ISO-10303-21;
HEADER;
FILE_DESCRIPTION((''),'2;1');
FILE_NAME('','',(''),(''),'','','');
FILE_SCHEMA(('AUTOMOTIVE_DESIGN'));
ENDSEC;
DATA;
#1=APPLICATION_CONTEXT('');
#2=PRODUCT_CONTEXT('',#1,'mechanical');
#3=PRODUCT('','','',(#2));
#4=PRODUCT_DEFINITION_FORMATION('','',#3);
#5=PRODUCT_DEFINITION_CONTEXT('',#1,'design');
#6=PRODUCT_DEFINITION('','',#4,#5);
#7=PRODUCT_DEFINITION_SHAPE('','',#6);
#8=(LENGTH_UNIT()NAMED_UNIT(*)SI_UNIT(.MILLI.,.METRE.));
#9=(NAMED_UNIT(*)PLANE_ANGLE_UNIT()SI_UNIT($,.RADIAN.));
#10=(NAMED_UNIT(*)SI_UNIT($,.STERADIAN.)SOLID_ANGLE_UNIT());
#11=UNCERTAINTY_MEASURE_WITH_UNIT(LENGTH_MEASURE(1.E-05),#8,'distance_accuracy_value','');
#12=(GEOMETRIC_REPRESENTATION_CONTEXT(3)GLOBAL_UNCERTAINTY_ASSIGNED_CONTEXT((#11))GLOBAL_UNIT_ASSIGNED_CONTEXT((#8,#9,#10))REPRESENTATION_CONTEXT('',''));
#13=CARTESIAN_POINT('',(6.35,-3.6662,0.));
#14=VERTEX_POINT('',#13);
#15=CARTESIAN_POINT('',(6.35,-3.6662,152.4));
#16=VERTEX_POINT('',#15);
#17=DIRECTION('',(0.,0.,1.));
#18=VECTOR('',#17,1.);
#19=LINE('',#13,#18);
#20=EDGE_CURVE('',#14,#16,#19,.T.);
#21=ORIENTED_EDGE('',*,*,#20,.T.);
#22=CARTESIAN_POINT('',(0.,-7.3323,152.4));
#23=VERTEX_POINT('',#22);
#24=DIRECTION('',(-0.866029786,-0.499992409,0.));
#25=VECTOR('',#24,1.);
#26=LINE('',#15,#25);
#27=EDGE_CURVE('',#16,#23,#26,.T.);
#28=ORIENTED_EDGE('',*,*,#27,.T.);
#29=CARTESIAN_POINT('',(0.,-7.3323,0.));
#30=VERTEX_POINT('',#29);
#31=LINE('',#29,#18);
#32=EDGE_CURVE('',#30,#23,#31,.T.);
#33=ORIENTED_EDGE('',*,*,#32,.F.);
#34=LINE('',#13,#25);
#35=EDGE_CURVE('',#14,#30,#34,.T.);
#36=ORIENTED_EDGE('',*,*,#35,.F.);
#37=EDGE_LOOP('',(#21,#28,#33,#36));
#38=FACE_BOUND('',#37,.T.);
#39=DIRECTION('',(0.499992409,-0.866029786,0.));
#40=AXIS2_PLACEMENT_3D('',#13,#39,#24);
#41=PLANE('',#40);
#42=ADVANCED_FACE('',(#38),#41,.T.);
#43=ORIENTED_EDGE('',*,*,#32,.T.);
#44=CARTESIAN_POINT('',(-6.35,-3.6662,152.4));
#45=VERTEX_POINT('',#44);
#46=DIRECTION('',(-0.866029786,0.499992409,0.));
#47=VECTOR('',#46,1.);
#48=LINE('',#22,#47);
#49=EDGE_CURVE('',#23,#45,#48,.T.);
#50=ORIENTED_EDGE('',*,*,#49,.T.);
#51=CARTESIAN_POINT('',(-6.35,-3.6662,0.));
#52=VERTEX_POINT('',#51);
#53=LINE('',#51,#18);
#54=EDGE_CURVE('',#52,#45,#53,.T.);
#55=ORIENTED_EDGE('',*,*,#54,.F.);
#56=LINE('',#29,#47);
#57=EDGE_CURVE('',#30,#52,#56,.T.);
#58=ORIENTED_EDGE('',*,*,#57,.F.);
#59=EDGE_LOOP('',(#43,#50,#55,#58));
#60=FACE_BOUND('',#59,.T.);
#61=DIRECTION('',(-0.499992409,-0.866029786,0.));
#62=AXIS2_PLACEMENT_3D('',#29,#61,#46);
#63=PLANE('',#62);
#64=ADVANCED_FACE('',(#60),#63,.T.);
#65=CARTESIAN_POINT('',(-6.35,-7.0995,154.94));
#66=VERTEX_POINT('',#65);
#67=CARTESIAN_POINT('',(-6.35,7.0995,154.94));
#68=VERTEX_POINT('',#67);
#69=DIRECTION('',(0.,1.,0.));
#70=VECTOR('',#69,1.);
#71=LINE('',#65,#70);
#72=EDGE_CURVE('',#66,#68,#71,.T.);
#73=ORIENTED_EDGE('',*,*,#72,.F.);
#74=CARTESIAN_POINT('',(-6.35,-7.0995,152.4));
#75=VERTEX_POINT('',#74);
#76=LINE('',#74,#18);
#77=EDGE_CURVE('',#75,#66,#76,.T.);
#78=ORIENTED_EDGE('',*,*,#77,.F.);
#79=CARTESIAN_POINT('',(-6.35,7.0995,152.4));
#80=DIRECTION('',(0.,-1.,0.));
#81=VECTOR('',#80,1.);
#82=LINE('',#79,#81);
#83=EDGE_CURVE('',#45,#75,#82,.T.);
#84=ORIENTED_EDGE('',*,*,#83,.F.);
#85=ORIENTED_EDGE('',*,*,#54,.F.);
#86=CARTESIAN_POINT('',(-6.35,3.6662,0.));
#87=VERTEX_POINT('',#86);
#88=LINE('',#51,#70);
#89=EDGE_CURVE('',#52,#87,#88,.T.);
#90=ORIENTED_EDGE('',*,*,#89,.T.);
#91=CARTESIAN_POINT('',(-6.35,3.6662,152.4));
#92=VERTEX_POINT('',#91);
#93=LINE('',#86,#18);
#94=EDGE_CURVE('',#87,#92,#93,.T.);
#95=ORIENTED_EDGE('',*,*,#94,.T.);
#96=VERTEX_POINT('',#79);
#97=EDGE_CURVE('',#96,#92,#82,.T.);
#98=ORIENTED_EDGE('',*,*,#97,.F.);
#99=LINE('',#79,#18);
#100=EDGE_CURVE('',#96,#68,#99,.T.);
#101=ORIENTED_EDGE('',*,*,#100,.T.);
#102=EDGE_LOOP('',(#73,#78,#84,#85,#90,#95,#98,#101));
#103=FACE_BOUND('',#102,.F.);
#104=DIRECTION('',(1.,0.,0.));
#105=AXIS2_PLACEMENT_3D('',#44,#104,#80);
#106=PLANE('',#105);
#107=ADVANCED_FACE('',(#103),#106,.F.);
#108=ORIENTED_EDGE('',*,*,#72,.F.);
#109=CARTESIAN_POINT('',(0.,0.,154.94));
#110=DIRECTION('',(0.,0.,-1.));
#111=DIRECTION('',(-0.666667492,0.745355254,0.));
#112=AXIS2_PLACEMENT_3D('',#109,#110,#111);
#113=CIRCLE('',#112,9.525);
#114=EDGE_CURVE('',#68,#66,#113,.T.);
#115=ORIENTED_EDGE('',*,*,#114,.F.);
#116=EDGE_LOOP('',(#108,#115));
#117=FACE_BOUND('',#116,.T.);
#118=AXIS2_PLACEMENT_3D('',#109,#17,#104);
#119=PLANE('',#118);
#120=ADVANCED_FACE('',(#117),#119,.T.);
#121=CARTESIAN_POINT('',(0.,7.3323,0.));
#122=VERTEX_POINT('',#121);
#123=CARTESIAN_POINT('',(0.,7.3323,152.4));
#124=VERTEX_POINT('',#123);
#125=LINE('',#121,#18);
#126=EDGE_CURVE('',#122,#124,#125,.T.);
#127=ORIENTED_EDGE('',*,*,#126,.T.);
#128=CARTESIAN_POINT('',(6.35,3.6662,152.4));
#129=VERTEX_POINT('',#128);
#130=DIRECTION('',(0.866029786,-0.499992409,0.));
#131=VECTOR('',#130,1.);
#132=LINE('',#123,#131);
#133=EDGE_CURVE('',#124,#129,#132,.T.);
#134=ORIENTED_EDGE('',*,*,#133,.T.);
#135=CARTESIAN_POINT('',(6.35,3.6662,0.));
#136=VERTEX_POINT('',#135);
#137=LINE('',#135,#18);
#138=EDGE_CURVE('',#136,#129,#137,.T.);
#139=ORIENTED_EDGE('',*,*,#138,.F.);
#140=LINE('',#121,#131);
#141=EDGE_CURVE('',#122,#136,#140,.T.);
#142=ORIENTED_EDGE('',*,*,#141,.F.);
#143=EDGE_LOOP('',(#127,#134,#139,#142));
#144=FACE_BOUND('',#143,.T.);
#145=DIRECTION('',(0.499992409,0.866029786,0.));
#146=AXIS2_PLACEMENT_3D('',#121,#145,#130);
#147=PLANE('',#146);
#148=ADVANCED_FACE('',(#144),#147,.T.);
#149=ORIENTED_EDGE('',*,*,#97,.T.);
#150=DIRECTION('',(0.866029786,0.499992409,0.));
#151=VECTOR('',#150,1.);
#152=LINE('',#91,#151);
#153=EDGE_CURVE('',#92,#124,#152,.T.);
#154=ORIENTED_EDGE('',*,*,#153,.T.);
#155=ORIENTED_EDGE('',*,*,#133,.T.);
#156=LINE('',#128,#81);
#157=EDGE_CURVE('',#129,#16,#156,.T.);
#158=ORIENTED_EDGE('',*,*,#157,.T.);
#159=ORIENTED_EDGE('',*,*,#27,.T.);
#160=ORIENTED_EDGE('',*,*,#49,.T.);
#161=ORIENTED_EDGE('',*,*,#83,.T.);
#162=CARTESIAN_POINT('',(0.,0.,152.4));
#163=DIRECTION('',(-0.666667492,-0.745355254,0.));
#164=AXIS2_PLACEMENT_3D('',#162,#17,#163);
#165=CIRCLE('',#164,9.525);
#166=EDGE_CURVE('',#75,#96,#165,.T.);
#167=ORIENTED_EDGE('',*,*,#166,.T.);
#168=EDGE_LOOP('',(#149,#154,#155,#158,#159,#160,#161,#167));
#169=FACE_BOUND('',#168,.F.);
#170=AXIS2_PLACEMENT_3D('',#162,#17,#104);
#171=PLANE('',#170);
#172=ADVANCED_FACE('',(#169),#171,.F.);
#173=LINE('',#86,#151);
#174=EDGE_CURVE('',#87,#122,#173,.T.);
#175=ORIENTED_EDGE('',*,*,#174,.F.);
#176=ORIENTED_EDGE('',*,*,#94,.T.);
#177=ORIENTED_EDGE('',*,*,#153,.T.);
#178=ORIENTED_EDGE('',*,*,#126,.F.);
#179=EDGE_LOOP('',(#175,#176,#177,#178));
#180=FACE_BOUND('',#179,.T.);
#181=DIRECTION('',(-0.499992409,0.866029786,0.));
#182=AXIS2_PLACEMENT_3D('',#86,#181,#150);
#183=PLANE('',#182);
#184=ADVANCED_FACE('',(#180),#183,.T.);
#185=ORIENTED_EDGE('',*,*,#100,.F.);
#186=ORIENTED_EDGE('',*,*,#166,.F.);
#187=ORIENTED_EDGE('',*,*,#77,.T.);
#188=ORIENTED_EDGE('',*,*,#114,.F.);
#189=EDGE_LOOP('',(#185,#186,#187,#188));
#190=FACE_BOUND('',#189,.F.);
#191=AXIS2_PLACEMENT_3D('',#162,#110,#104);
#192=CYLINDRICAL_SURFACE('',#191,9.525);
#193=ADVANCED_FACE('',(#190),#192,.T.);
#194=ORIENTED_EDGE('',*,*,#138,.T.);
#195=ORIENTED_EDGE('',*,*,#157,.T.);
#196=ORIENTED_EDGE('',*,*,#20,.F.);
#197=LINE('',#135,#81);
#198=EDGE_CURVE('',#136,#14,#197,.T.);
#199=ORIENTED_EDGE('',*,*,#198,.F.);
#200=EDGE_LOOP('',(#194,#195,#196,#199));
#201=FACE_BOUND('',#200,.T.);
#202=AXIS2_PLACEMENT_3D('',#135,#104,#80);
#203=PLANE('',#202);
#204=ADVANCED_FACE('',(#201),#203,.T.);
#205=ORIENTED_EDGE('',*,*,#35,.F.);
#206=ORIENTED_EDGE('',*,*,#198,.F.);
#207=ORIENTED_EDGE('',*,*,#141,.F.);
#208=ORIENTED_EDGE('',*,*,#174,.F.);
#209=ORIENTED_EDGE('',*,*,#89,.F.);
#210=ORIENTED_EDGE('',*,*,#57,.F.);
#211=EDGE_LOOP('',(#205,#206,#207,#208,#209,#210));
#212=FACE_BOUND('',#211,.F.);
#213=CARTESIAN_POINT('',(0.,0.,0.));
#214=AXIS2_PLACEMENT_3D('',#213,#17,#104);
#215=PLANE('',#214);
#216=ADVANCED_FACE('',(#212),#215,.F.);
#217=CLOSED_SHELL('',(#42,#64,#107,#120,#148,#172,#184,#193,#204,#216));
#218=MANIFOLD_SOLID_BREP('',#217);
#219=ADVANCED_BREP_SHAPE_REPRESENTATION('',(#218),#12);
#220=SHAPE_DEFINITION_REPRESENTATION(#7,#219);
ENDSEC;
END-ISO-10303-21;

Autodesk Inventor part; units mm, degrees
ref_plane "YZ Plane" through (0, 0, 0) normal (1, 0, 0) x (0, 1, 0)
ref_plane "XZ Plane" through (0, 0, 0) normal (0, 1, 0) x (-1, 0, 0)
ref_plane "XY Plane" through (0, 0, 0) normal (0, 0, 1) x (1, 0, 0)
sketch "Sketch1" plane through (0, 0, 0) normal (0, 0, 1) x (1, 0, 0)
  line L0 (0, 7.3323) -> (6.35, 3.6662)
  line L1 (6.35, 3.6662) -> (6.35, -3.6662)
  line L2 (6.35, -3.6662) -> (0, -7.3323)
  line L3 (0, -7.3323) -> (-6.35, -3.6662)
  line L4 (-6.35, -3.6662) -> (-6.35, 3.6662)
  line L5 (-6.35, 3.6662) -> (0, 7.3323)
  point P0 (0, 0)
  point P1 (0, 0)
  dimension "d0" = 12.7
extrude "Extrusion1" add sketch "Sketch1" along normal blind 152.4
sketch "Sketch2" plane through (0, 0, 152.4) normal (0, 0, 1) x (1, 0, 0)
  circle A0 centre (0, 0) radius 9.525
  line L0 (-6.35, 3.6662) -> (-6.35, -3.6662) projected
  line L1 (6.35, 3.6662) -> (0, 7.3323) projected
  line L2 (0, 7.3323) -> (-6.35, 3.6662) projected
  line L3 (-6.35, 3.6662) -> (-6.35, -3.6662) projected
  line L4 (-6.35, -3.6662) -> (0, -7.3323) projected
  line L5 (0, -7.3323) -> (6.35, -3.6662) projected
  line L6 (6.35, -3.6662) -> (6.35, 3.6662) projected
  line L7 (-6.35, 3.6662) -> (-6.35, 7.0995)
  line L8 (-6.35, -3.6662) -> (-6.35, -7.0995)
  point P0 (-6.35, -3.6662)
  dimension "d3" = 19.05
extrude "Extrusion2" add sketch "Sketch2" along normal blind 2.54 contours A0 L8 L4 L5 L6 L1 L2 L7 | L2 L1 L6 L5 L4 L0
properties part number "_3DPrint"
